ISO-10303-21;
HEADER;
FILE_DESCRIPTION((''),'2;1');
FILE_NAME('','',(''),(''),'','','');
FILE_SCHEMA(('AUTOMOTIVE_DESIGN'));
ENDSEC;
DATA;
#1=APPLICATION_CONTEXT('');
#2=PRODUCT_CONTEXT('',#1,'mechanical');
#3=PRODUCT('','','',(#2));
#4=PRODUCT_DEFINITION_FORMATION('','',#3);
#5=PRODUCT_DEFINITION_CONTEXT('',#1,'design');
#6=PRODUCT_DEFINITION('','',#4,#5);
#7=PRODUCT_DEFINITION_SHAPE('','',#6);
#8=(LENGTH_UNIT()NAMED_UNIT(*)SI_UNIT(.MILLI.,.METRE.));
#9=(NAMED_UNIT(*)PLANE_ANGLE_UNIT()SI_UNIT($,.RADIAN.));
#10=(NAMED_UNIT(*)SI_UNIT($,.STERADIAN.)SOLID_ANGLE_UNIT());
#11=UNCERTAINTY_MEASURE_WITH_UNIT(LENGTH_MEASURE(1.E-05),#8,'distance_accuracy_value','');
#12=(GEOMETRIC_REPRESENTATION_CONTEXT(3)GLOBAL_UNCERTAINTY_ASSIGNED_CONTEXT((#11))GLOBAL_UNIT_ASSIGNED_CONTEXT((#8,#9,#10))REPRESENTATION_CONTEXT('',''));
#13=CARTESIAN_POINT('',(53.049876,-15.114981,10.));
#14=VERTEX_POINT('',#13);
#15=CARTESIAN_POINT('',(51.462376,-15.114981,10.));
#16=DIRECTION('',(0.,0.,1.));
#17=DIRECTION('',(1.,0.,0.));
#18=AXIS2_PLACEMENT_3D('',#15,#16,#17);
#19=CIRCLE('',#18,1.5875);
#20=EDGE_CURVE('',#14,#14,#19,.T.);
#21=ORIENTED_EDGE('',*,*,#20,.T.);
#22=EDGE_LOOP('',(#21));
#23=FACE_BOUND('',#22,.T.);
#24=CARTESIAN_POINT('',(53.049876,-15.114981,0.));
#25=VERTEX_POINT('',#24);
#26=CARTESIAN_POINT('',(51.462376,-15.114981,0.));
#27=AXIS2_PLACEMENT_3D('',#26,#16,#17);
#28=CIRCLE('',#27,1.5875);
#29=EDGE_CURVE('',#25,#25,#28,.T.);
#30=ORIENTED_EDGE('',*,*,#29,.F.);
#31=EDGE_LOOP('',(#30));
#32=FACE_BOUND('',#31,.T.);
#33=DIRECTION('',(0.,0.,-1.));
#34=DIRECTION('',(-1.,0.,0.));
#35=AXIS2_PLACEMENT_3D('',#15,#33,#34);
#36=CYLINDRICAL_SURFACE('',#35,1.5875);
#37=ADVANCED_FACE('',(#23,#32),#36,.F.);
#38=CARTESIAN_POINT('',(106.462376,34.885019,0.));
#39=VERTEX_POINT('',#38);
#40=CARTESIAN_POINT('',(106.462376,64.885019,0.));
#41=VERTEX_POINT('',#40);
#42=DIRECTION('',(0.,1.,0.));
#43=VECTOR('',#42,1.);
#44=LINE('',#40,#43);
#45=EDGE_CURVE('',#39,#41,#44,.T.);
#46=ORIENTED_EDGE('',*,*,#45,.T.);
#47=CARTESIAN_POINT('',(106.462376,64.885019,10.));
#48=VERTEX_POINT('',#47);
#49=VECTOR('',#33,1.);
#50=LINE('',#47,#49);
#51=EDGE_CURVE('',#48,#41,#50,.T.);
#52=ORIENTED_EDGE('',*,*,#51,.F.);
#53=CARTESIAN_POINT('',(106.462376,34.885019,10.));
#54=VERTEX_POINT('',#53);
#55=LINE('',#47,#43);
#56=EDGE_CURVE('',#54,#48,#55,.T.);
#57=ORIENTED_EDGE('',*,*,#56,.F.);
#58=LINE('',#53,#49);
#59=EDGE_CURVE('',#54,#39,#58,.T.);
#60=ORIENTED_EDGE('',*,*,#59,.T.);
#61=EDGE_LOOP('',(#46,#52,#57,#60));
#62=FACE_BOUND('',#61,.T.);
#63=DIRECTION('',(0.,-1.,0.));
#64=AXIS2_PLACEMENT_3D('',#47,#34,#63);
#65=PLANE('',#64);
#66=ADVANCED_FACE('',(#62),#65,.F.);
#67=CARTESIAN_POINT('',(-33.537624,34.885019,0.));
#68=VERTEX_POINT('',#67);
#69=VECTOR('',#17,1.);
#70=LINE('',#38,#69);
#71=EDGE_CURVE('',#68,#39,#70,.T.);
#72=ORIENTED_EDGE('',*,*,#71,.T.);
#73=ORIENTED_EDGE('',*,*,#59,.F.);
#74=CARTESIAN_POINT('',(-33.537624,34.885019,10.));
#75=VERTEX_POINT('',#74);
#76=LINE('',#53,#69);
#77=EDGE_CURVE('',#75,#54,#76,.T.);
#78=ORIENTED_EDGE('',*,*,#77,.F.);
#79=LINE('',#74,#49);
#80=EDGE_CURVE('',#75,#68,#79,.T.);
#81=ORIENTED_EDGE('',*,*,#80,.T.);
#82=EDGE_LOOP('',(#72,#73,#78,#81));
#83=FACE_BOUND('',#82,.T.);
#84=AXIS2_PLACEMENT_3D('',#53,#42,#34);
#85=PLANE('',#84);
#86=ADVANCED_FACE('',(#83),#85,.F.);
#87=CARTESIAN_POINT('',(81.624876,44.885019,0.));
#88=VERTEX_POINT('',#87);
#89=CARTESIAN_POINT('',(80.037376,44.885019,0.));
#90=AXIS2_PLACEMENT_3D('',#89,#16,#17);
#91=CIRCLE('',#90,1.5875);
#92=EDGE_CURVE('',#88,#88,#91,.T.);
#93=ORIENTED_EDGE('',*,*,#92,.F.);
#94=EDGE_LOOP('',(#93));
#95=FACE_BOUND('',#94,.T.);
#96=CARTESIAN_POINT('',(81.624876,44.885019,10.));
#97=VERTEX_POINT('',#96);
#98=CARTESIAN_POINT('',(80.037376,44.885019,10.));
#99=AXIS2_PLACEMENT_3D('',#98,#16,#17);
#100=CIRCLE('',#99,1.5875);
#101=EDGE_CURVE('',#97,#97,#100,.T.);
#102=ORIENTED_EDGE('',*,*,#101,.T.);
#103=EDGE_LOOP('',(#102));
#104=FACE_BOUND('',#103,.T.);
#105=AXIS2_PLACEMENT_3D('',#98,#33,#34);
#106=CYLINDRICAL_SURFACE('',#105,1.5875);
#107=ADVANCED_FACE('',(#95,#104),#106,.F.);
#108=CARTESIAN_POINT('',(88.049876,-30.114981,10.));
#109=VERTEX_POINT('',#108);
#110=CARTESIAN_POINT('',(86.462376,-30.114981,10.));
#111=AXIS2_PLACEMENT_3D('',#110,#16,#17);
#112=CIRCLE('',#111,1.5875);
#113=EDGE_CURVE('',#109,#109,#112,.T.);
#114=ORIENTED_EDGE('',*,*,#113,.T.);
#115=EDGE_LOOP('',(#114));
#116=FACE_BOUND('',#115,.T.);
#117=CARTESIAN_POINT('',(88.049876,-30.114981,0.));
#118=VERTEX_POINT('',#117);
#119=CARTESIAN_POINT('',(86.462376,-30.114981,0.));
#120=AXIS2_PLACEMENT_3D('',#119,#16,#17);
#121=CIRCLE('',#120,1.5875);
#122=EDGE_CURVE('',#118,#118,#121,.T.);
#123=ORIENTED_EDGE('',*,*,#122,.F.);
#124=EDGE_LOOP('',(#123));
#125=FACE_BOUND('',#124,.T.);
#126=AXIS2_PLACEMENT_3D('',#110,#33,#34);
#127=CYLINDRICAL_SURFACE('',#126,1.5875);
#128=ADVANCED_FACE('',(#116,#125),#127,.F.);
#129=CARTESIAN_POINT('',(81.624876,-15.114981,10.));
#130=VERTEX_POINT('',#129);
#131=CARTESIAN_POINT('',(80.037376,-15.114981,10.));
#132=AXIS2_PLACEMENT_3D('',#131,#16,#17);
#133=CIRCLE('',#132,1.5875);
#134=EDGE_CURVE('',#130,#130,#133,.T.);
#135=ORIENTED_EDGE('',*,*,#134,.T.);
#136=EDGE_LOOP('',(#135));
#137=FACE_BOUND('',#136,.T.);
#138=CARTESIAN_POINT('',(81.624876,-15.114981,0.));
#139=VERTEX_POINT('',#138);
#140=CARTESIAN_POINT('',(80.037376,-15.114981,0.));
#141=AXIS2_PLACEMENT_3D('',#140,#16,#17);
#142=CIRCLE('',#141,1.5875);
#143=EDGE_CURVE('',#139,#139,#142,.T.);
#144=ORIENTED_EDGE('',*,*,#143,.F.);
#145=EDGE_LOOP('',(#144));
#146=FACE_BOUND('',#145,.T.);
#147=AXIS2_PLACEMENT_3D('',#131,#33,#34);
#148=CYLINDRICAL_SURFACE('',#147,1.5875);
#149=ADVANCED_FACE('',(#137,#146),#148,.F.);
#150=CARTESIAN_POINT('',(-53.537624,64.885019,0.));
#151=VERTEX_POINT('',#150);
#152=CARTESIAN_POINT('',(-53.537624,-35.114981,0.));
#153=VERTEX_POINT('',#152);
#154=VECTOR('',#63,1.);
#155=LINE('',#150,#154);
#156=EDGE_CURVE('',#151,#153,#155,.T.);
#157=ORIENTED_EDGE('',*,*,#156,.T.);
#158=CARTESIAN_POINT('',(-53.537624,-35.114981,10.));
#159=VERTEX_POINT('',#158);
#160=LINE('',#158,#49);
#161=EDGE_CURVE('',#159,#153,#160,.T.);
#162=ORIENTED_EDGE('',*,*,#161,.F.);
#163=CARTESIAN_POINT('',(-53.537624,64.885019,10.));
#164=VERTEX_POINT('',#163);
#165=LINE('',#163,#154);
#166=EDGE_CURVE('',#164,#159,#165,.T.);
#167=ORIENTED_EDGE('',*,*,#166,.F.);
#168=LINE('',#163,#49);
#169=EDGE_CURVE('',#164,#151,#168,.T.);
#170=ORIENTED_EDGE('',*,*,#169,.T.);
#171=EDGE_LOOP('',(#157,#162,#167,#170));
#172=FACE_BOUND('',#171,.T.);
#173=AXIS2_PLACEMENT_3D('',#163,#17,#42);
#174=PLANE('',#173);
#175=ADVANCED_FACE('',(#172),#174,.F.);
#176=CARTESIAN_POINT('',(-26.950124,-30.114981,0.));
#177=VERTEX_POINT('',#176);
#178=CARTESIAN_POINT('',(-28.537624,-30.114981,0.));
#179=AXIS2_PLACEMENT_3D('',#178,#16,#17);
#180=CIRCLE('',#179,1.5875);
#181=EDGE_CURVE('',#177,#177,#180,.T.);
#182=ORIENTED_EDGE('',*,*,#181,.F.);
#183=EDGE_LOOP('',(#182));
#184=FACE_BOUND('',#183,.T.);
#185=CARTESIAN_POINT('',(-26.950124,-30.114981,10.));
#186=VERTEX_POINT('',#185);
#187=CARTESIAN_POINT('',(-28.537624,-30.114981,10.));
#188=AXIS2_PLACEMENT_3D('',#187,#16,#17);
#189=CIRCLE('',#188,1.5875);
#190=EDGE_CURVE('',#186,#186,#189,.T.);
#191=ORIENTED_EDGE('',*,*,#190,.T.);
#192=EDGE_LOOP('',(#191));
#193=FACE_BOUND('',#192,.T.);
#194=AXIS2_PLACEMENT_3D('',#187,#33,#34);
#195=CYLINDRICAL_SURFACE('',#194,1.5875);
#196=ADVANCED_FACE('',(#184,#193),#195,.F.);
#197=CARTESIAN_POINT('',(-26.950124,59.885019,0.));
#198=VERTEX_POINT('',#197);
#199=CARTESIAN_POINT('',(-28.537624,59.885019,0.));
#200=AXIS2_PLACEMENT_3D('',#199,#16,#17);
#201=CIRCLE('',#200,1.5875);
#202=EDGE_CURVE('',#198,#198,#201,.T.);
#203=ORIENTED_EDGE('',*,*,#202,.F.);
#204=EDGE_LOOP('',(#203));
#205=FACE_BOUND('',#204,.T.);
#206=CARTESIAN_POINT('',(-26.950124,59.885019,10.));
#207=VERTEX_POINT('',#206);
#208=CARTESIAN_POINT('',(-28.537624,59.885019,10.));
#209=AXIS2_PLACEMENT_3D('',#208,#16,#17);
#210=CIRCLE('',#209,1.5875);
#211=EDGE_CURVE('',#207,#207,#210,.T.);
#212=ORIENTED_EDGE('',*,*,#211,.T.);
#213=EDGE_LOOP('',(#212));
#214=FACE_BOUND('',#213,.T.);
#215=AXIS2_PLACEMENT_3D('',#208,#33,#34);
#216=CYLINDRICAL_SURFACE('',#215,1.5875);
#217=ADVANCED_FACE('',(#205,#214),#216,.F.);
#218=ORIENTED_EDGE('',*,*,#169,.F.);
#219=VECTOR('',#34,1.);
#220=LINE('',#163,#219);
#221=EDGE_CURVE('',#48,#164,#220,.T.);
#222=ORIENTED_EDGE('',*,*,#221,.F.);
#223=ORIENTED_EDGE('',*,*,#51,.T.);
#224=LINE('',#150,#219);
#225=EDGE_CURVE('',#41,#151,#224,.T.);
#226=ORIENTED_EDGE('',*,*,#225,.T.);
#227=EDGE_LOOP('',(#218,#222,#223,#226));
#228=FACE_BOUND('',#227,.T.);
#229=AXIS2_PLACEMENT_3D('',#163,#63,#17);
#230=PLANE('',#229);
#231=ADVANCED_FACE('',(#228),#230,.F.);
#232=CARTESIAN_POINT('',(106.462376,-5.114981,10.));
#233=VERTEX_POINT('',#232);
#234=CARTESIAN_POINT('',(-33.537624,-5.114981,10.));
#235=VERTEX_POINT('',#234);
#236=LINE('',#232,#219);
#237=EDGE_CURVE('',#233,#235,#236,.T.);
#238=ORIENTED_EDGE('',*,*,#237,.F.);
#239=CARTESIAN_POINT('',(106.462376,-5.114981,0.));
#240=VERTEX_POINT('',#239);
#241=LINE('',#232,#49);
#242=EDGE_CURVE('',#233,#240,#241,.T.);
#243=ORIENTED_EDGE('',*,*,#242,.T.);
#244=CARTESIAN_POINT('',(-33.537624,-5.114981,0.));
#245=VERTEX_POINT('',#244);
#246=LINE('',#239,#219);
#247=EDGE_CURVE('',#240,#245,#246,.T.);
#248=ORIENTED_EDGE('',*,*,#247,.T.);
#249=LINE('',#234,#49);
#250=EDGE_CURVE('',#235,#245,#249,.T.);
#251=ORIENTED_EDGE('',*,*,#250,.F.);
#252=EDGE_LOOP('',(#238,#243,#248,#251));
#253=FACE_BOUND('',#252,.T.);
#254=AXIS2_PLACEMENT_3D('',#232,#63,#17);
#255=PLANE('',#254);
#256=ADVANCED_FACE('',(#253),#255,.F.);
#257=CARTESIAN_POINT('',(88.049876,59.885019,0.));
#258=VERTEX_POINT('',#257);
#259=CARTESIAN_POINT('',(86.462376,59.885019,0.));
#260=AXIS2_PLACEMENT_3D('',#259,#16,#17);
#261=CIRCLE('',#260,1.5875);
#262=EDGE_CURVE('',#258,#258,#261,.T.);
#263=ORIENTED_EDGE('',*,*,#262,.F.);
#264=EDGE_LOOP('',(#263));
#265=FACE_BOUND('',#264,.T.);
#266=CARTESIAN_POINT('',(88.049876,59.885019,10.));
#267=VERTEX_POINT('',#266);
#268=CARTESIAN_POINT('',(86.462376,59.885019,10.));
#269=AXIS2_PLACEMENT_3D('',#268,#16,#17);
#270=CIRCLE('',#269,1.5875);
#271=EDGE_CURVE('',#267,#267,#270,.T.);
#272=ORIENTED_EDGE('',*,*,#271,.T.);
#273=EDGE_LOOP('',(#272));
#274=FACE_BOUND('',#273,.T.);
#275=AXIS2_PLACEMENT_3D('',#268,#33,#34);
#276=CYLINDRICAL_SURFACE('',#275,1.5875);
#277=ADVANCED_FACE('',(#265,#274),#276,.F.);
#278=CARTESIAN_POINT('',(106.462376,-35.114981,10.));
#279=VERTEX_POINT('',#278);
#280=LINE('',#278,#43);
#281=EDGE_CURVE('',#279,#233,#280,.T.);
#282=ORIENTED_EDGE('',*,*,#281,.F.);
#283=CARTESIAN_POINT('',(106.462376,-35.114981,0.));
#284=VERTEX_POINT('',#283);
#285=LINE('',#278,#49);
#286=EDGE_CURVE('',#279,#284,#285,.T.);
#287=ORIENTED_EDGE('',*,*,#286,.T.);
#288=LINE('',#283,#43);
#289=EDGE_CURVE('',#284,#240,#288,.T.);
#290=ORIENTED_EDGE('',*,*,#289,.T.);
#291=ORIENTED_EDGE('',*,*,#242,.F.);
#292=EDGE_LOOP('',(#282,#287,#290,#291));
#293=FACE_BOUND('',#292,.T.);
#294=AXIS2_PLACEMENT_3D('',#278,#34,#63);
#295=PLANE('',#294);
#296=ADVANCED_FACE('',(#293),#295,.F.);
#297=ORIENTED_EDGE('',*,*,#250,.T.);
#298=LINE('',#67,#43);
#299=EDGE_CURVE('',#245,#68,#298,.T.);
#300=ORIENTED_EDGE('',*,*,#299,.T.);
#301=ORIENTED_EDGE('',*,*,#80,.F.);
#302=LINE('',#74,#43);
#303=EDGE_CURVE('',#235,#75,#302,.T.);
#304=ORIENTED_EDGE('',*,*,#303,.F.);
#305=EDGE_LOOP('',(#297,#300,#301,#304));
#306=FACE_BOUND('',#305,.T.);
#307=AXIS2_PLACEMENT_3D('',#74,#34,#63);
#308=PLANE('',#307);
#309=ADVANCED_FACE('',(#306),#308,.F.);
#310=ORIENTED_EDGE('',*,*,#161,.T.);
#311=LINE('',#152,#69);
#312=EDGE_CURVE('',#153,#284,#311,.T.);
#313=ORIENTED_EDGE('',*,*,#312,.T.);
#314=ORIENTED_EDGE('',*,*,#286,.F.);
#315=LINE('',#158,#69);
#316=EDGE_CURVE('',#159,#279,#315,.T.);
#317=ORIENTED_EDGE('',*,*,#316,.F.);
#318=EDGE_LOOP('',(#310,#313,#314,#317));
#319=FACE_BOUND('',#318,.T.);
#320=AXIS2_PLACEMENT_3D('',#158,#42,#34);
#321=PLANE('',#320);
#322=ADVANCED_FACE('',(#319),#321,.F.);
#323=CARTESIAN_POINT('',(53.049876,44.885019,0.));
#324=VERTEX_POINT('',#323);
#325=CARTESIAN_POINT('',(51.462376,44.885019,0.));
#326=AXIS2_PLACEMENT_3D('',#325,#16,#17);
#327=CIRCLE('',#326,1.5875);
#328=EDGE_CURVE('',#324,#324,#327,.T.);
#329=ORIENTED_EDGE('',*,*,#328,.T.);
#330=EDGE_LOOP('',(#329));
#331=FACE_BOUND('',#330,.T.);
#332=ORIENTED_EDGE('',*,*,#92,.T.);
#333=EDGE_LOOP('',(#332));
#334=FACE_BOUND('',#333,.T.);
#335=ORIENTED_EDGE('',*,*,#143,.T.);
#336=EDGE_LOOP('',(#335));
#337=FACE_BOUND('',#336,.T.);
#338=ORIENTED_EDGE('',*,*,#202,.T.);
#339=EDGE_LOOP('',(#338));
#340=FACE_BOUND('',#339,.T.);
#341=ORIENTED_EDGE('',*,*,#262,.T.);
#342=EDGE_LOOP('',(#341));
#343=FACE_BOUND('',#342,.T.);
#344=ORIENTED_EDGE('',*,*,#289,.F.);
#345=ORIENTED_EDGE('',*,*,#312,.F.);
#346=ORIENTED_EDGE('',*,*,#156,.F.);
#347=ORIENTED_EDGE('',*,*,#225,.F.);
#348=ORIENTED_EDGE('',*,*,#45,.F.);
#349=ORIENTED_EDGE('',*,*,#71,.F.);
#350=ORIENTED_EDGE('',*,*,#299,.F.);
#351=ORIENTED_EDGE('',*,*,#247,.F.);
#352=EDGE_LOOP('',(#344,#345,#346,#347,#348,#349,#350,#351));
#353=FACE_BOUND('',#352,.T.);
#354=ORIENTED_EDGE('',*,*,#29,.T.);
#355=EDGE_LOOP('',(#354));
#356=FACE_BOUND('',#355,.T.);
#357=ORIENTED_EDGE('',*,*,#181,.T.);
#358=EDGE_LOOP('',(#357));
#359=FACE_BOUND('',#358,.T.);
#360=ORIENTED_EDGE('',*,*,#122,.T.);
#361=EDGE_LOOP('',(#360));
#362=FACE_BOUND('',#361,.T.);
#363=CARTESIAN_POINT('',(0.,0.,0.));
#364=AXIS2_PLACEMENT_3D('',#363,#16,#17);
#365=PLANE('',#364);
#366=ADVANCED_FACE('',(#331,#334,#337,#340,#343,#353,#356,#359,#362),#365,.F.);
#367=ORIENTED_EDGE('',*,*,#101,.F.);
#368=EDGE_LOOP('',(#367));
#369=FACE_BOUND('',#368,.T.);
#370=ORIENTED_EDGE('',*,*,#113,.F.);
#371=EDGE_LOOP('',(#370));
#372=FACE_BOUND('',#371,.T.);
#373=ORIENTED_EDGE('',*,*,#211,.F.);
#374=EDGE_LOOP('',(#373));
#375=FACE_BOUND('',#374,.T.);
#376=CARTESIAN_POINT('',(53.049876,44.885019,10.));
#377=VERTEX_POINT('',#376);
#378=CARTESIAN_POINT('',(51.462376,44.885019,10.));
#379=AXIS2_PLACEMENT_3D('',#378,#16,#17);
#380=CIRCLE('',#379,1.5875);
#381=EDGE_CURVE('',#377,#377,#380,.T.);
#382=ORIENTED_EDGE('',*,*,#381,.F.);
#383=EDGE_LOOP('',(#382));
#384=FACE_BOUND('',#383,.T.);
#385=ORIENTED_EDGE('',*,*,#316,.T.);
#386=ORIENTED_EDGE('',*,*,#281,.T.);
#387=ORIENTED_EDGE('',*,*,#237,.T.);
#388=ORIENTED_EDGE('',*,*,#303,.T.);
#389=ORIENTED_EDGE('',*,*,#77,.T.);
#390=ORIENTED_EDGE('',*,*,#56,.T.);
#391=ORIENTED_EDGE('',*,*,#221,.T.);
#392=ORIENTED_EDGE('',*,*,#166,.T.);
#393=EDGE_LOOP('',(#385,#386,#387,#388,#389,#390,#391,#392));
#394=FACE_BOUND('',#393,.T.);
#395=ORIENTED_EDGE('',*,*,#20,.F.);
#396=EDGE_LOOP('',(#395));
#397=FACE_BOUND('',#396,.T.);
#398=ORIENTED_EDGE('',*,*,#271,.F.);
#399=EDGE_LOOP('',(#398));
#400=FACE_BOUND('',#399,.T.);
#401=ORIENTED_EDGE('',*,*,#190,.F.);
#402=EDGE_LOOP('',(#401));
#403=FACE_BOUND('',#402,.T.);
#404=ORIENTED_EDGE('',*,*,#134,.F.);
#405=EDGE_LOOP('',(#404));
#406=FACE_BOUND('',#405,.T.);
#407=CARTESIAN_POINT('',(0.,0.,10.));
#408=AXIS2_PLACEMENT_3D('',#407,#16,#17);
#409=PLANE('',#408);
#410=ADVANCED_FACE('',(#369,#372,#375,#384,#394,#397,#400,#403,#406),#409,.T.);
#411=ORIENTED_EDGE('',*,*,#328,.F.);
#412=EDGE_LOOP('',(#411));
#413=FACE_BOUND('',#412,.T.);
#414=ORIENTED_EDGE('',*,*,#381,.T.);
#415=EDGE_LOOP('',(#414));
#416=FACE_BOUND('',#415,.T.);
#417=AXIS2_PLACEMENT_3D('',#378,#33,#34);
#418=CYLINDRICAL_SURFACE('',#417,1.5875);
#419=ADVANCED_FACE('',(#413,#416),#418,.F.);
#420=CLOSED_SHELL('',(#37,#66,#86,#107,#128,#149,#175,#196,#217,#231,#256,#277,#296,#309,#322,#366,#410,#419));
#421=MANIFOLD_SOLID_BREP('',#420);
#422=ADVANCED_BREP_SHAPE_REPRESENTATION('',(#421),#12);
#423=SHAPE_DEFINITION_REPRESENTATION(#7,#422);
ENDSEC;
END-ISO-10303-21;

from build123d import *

# Parameters (mm, degrees)
SKETCH1_R           = 1.5875
BOSS_EXTRUDE1_DEPTH = 10


with BuildPart() as part:
    # Sketch1 → Boss-Extrude1 (new body)
    with BuildSketch(Plane.XY):
        Polygon((-53.537623716, 64.885018665), (106.462376284, 64.885018665), (106.462376284, 34.885018665), (-33.537623716, 34.885018665), (-33.537623716, -5.114981335), (106.462376284, -5.114981335), (106.462376284, -35.114981335), (-53.537623716, -35.114981335), align=None)
        with Locations((51.462376284, 44.885018665)):
            Circle(SKETCH1_R, mode=Mode.SUBTRACT)
        with Locations((80.037376284, 44.885018665)):
            Circle(SKETCH1_R, mode=Mode.SUBTRACT)
        with Locations((51.462376284, -15.114981335)):
            Circle(SKETCH1_R, mode=Mode.SUBTRACT)
        with Locations((80.037376284, -15.114981335)):
            Circle(SKETCH1_R, mode=Mode.SUBTRACT)
        with Locations((-28.537623716, 59.885018665)):
            Circle(SKETCH1_R, mode=Mode.SUBTRACT)
        with Locations((86.462376284, 59.885018665)):
            Circle(SKETCH1_R, mode=Mode.SUBTRACT)
        with Locations((-28.537623716, -30.114981335)):
            Circle(SKETCH1_R, mode=Mode.SUBTRACT)
        with Locations((86.462376284, -30.114981335)):
            Circle(SKETCH1_R, mode=Mode.SUBTRACT)
    extrude(amount=BOSS_EXTRUDE1_DEPTH)


solid = part.part
